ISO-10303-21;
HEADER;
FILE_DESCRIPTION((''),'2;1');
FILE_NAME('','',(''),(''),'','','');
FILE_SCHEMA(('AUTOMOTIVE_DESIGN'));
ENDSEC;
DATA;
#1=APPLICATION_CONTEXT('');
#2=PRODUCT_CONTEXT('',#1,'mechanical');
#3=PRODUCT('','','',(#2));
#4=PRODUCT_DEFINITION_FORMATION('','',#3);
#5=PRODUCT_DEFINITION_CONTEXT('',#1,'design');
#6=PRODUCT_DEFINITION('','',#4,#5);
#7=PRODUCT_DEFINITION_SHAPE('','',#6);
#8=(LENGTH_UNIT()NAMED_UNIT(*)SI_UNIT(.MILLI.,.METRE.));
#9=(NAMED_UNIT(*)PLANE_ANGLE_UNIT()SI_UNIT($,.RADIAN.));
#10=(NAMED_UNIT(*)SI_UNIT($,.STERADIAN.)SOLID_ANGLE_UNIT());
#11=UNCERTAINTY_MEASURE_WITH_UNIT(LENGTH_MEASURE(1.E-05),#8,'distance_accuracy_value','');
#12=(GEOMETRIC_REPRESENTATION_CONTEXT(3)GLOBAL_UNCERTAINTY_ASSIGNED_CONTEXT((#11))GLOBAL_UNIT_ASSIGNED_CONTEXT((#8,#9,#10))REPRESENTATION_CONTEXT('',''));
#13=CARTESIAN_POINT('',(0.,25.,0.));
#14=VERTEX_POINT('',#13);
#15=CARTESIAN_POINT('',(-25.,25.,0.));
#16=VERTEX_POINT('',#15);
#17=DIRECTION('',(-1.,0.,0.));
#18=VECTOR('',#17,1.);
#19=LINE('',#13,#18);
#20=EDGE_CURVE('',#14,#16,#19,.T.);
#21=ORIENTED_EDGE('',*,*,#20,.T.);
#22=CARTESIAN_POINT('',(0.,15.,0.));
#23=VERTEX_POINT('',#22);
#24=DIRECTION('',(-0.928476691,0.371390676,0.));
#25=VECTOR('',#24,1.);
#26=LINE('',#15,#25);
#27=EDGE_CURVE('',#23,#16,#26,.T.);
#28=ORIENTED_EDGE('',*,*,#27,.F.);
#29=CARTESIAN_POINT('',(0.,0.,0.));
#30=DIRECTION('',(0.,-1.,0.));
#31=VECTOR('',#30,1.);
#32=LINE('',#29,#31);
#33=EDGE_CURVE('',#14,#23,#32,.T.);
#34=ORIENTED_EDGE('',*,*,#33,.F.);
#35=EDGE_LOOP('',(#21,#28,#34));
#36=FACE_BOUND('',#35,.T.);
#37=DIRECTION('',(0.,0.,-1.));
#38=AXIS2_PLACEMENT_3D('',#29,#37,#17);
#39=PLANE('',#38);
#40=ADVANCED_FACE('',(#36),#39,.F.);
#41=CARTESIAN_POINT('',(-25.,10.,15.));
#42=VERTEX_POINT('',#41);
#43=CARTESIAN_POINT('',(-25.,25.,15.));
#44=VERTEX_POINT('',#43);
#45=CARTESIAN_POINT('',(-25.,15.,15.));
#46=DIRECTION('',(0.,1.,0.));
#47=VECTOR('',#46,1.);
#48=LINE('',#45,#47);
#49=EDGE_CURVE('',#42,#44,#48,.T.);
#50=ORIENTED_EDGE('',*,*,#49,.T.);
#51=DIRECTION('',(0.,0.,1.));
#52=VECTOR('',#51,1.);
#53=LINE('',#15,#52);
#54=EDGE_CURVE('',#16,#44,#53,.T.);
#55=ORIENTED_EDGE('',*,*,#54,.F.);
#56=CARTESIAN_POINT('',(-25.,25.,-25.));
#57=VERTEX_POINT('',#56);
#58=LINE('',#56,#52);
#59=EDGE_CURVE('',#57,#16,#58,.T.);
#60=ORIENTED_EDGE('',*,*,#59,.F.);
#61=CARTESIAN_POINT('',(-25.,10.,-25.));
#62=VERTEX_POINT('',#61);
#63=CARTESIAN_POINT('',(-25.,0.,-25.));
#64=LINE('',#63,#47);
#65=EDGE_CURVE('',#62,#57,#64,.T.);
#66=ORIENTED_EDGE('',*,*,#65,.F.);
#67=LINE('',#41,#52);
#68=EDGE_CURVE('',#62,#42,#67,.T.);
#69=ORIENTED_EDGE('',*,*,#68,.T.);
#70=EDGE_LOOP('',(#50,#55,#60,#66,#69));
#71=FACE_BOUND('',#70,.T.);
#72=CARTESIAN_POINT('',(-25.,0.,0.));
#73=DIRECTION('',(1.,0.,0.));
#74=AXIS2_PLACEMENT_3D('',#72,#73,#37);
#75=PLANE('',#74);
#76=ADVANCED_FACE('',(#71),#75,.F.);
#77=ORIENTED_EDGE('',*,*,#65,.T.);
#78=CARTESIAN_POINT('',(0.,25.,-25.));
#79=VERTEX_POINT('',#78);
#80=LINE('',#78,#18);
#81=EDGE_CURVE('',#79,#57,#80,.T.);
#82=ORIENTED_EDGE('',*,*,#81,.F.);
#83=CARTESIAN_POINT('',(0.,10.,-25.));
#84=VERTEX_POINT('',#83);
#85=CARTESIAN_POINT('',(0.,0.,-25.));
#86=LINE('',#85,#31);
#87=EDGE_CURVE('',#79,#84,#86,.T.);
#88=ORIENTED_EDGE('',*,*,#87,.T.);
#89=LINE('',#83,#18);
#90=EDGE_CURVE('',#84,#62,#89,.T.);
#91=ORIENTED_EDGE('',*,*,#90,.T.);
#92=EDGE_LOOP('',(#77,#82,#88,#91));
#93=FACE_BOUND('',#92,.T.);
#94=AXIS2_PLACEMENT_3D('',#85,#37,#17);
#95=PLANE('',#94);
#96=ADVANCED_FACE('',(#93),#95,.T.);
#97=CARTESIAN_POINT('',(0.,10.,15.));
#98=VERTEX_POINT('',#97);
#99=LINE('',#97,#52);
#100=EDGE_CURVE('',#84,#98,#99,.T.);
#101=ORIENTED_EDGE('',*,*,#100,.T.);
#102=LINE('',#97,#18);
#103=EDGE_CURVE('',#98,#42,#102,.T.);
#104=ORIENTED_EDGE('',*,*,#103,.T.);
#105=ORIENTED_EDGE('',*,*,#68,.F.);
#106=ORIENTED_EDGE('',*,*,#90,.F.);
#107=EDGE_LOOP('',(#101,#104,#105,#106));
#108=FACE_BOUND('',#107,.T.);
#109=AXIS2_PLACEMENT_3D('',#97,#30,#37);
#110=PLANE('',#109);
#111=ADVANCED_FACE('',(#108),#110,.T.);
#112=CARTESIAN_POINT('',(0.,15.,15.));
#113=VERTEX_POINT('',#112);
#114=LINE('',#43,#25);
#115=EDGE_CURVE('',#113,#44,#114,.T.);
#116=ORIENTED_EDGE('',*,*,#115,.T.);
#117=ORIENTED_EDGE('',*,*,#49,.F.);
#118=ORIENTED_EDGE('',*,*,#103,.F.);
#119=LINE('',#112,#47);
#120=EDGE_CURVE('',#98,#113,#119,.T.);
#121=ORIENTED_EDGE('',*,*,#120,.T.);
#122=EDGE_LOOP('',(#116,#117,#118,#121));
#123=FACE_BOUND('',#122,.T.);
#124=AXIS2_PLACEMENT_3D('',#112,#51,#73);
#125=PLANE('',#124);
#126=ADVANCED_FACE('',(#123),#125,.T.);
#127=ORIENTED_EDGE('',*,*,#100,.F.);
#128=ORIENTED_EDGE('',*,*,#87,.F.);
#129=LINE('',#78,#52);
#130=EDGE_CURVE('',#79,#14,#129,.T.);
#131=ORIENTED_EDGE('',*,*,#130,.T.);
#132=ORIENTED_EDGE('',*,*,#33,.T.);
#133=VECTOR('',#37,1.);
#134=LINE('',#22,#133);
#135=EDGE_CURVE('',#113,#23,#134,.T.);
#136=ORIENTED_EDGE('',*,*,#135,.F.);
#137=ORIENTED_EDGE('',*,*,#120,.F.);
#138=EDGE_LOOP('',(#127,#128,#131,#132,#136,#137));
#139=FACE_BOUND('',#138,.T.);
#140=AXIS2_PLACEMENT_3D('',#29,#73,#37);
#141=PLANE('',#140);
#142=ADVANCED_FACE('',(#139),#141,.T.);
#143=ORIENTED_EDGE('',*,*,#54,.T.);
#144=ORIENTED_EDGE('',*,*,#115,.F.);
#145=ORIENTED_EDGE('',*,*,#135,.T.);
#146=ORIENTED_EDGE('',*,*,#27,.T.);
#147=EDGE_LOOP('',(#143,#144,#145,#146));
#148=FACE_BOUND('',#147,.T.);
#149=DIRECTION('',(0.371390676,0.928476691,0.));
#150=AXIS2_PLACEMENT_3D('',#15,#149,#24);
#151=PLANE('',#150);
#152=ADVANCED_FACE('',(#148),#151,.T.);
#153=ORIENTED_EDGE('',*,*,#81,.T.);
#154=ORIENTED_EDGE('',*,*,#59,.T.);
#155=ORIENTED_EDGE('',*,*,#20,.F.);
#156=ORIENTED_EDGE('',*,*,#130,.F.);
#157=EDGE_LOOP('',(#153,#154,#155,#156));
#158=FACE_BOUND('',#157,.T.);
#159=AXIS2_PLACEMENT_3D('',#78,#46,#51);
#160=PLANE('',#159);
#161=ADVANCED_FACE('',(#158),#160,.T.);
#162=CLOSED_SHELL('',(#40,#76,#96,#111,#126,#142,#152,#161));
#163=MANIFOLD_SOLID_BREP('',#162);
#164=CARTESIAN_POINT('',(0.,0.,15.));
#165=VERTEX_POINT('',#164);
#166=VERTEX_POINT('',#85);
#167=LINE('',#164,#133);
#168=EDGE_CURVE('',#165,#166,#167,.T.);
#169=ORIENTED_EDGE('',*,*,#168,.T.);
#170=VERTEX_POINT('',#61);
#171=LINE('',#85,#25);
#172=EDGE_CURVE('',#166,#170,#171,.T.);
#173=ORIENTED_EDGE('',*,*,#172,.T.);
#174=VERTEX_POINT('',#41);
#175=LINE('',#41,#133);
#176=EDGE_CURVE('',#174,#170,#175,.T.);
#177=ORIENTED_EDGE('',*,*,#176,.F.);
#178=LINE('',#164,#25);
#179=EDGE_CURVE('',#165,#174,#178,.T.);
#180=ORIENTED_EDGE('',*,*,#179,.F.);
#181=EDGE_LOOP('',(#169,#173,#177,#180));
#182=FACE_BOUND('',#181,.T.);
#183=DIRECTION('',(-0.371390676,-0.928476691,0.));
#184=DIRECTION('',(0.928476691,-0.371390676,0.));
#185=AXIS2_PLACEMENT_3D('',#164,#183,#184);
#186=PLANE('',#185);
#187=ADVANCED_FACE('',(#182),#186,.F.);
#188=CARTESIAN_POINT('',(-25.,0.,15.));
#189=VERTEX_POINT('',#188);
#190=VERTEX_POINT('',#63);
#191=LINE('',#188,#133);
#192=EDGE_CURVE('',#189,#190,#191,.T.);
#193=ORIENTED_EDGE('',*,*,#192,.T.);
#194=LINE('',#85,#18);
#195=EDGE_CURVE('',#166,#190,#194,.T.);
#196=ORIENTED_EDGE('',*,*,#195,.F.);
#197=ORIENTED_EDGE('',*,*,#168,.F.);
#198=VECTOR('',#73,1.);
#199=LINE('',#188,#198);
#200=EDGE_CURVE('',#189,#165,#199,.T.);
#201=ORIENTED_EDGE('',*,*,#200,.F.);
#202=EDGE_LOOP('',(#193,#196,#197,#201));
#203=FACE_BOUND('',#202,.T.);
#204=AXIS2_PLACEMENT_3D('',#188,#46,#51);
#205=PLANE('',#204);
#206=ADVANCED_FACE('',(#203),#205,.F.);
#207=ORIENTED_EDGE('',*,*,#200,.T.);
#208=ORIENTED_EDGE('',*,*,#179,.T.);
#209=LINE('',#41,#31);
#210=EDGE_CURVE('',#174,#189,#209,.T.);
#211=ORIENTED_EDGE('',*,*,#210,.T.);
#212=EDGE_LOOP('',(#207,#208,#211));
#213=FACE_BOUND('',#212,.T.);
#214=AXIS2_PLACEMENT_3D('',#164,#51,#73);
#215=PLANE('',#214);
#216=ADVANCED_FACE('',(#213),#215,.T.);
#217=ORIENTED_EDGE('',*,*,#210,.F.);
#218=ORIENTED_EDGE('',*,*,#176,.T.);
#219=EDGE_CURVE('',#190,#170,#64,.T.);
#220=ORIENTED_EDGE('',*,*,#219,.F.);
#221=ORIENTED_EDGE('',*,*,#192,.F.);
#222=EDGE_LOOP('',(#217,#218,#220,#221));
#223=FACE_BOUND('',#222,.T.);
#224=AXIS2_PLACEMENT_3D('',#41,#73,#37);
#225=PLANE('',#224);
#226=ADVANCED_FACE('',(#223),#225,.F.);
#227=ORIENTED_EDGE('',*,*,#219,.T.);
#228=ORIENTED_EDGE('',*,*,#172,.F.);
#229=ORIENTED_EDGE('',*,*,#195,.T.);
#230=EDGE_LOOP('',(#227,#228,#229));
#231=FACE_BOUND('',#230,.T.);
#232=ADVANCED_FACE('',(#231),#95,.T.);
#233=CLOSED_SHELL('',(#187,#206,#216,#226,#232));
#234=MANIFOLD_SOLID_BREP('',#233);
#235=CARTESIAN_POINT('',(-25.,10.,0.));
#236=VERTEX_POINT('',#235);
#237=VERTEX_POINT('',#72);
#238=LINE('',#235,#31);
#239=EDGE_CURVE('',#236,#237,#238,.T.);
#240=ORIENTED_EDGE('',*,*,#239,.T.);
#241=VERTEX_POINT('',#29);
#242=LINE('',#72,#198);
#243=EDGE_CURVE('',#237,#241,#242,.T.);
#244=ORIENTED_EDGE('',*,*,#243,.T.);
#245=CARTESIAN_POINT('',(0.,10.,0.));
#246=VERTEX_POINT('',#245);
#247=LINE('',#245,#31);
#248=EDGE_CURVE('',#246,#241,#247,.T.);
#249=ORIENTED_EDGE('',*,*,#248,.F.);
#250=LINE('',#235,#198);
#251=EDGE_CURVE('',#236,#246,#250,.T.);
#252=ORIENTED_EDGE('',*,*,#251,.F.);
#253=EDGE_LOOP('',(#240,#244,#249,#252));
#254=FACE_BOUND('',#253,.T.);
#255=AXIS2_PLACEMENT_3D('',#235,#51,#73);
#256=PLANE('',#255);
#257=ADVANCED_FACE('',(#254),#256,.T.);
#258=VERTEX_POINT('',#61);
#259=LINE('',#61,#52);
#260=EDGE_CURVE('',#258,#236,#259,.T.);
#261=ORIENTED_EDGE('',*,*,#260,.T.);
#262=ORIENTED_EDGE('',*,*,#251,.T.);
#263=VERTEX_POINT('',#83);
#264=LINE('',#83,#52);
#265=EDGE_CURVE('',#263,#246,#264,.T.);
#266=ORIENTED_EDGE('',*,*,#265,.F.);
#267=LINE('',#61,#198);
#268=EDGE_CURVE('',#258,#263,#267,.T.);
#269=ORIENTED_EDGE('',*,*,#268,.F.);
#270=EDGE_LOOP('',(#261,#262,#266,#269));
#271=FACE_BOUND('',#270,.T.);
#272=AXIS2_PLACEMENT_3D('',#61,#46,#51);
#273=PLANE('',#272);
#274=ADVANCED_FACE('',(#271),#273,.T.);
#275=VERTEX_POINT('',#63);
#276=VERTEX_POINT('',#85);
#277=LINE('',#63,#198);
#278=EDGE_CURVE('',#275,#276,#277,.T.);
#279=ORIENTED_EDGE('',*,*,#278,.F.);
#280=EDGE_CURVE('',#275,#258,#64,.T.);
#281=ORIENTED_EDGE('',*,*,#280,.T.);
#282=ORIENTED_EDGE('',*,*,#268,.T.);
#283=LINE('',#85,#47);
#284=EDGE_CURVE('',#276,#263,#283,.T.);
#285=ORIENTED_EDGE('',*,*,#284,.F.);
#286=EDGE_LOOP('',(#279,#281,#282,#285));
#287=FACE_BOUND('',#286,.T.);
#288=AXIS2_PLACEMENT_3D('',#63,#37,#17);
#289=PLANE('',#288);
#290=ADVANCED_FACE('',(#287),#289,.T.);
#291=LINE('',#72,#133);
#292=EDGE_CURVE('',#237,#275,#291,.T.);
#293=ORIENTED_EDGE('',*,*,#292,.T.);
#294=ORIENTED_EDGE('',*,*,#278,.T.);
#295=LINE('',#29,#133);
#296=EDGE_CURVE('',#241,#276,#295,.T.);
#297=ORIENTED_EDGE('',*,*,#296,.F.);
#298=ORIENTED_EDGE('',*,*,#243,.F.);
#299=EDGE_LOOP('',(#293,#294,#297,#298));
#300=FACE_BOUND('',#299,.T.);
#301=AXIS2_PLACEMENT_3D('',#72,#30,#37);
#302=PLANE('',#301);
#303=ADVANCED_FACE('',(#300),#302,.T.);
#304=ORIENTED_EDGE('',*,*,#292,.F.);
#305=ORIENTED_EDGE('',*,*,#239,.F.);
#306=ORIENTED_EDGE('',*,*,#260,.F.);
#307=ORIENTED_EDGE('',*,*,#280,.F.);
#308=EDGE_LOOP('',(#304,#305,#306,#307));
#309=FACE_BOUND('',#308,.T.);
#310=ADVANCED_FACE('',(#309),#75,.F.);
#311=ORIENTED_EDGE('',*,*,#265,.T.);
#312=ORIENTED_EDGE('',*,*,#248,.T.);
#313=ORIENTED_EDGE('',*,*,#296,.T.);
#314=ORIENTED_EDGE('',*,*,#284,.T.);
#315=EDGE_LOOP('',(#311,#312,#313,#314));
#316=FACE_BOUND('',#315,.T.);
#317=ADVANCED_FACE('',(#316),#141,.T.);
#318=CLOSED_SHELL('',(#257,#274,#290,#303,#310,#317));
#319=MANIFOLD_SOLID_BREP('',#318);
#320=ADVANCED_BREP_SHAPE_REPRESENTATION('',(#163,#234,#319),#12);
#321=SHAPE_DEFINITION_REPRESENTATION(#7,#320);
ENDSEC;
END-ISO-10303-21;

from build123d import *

# Parameters (mm, degrees)
BOSS_EXTRUDE1_DEPTH  = 15
SKETCH2_W            = 15
SKETCH2_H            = 5
BOSS_EXTRUDE2_DEPTH  = 25
BOSS_EXTRUDE3_DEPTH  = 15
BOSS_EXTRUDE27_DEPTH = 25
SKETCH12_W           = 25
SKETCH12_H           = 10
BOSS_EXTRUDE36_DEPTH = 25


with BuildPart() as part:
    # Sketch1 → Boss-Extrude1 (new body)
    with BuildSketch(Plane.XY):
        Polygon((-25, 10), (-25, 0), (0, 0), align=None)
    extrude(amount=BOSS_EXTRUDE1_DEPTH)



with BuildPart() as body_2:
    # Sketch2 → Boss-Extrude2 (new body)
    with BuildSketch(Plane.ZY.offset(25)):
        with Locations((7.5, 12.5)):
            Rectangle(SKETCH2_W, SKETCH2_H)
    extrude(amount=-BOSS_EXTRUDE2_DEPTH)

    # Sketch3 → Boss-Extrude3 (add)
    with BuildSketch(Plane.XY.offset(15)):
        Polygon((-25, 15), (-25, 25), (0, 15), align=None)
    extrude(amount=-BOSS_EXTRUDE3_DEPTH)


with BuildPart() as part_1:
    add(part.part)

    add(body_2.part)  # Boss-Extrude27 merges body 2
    # Sketch4 → Boss-Extrude27 (add)
    with BuildSketch(Plane(origin=(0, 0, 0), x_dir=(-1, 0, 0), z_dir=(0, 0, -1))):
        Polygon((0, 10), (25, 10), (25, 25), (0, 15), align=None)
        Polygon((0, 25), (0, 15), (25, 25), align=None)
        Polygon((25, 0), (25, 10), (0, 0), align=None)
    extrude(amount=BOSS_EXTRUDE27_DEPTH)


with BuildPart() as body_2_2:
    # Sketch12 → Boss-Extrude36 (new body)
    with BuildSketch(Plane(origin=(0, 0, 0), x_dir=(0, 0, -1), z_dir=(1, 0, 0))):
        with Locations((12.5, 5)):
            Rectangle(SKETCH12_W, SKETCH12_H)
    extrude(amount=-BOSS_EXTRUDE36_DEPTH)


solid = Compound([part_1.part, body_2_2.part])
